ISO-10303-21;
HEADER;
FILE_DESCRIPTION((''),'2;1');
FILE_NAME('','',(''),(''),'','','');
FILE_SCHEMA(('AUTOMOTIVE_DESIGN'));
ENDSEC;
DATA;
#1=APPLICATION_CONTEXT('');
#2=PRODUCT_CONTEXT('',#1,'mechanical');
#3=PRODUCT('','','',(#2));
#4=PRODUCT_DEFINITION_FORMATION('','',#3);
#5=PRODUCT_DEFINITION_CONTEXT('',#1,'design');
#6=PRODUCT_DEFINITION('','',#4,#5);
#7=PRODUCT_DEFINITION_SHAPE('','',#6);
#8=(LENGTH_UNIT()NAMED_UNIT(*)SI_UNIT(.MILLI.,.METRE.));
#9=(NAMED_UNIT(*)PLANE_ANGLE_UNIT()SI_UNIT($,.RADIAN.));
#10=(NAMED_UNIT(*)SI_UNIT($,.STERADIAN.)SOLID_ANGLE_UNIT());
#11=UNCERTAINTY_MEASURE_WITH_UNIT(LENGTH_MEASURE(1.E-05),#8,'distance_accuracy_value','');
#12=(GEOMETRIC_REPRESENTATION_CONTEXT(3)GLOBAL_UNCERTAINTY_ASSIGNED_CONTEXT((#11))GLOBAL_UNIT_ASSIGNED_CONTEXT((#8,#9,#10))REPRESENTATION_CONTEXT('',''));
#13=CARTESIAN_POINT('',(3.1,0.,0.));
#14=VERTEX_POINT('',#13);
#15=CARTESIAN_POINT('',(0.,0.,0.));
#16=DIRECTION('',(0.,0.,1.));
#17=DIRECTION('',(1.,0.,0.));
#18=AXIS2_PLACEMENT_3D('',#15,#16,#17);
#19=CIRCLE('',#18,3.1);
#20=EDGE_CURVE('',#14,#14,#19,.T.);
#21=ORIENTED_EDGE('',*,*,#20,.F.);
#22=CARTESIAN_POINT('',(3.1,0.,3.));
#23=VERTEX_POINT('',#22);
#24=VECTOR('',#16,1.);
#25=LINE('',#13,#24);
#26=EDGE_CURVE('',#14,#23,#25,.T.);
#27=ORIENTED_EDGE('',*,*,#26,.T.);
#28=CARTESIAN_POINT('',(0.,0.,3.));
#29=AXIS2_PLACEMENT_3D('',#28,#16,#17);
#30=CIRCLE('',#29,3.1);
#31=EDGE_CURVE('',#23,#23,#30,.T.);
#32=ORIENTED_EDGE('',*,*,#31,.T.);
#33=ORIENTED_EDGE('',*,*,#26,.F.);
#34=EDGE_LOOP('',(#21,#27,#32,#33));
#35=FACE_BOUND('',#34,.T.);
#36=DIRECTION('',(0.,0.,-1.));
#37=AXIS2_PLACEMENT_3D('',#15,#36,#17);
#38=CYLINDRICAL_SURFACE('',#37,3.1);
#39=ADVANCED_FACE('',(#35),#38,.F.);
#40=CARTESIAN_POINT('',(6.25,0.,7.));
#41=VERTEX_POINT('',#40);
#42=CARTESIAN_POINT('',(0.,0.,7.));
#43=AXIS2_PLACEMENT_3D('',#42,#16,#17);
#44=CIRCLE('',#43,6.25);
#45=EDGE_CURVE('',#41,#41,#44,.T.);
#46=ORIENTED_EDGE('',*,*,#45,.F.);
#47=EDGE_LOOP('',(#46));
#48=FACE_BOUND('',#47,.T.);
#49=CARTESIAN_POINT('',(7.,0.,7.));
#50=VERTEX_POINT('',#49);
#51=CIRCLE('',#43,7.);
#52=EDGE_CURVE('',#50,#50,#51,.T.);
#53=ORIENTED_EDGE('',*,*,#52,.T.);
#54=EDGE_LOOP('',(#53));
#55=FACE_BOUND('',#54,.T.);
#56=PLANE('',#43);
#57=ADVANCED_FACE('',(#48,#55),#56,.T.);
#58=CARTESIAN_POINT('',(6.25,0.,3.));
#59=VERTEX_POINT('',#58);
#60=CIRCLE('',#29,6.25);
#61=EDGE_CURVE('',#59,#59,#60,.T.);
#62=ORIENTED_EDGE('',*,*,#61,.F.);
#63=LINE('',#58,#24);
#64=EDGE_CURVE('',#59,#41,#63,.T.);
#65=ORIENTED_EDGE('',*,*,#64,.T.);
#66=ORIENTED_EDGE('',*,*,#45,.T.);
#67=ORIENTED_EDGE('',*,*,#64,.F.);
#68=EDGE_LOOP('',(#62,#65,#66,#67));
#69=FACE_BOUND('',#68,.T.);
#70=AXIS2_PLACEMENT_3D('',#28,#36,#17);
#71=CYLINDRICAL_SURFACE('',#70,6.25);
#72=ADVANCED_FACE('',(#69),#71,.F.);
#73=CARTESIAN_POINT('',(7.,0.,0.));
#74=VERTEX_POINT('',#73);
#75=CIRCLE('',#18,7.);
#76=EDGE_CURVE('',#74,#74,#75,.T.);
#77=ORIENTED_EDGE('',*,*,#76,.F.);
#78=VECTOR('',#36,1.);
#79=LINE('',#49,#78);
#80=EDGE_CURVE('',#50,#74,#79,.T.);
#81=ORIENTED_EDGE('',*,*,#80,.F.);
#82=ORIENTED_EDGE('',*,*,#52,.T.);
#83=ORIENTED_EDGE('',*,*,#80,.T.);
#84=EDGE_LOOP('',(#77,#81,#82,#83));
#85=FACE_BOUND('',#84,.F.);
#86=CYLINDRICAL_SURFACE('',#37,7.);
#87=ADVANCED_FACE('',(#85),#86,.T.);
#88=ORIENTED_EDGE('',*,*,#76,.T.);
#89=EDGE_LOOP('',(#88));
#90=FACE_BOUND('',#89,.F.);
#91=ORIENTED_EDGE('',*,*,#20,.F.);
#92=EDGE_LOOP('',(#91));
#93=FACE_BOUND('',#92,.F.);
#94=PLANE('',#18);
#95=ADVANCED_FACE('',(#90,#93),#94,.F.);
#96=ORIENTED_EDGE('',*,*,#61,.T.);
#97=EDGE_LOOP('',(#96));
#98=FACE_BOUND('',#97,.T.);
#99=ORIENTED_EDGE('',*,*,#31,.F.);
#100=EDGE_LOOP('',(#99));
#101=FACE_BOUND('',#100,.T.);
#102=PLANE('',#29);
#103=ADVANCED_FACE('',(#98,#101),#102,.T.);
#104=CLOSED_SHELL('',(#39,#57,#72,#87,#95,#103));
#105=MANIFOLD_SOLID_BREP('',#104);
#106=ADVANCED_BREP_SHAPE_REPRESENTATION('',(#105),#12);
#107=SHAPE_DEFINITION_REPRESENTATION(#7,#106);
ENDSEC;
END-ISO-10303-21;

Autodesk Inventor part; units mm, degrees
ref_plane "YZ Plane" through (0, 0, 0) normal (1, 0, 0) x (0, 1, 0)
ref_plane "XZ Plane" through (0, 0, 0) normal (0, 1, 0) x (-1, 0, 0)
ref_plane "XY Plane" through (0, 0, 0) normal (0, 0, 1) x (1, 0, 0)
sketch "Sketch1" plane through (0, 0, 0) normal (0, 0, 1) x (1, 0, 0)
  circle A0 centre (0, 0) radius 5.85 construction
  circle A1 centre (0, 0) radius 2.95 construction
  circle A2 centre (0, 0) radius 3.1
  circle A3 centre (0, 0) radius 7
  dimension "d0" = 11.7
  dimension "d1" = 5.9
  dimension "d2" = 6.2
  dimension "d3" = 14
extrude "Extrusion1" add sketch "Sketch1" along normal blind 3
sketch "Sketch2" plane through (0, 0, 3) normal (0, 0, 1) x (1, 0, 0)
  circle A0 centre (0, 0) radius 5.85 construction
  circle A1 centre (0, 0) radius 2.95 construction
  circle A2 centre (0, 0) radius 7 projected
  circle A3 centre (0, 0) radius 6.25
  dimension "d6" = 11.7
  dimension "d7" = 5.9
  dimension "d10" = 12.5
extrude "Extrusion2" add sketch "Sketch2" along normal blind 4
properties part number "30_raspi_lens_to_laser"
